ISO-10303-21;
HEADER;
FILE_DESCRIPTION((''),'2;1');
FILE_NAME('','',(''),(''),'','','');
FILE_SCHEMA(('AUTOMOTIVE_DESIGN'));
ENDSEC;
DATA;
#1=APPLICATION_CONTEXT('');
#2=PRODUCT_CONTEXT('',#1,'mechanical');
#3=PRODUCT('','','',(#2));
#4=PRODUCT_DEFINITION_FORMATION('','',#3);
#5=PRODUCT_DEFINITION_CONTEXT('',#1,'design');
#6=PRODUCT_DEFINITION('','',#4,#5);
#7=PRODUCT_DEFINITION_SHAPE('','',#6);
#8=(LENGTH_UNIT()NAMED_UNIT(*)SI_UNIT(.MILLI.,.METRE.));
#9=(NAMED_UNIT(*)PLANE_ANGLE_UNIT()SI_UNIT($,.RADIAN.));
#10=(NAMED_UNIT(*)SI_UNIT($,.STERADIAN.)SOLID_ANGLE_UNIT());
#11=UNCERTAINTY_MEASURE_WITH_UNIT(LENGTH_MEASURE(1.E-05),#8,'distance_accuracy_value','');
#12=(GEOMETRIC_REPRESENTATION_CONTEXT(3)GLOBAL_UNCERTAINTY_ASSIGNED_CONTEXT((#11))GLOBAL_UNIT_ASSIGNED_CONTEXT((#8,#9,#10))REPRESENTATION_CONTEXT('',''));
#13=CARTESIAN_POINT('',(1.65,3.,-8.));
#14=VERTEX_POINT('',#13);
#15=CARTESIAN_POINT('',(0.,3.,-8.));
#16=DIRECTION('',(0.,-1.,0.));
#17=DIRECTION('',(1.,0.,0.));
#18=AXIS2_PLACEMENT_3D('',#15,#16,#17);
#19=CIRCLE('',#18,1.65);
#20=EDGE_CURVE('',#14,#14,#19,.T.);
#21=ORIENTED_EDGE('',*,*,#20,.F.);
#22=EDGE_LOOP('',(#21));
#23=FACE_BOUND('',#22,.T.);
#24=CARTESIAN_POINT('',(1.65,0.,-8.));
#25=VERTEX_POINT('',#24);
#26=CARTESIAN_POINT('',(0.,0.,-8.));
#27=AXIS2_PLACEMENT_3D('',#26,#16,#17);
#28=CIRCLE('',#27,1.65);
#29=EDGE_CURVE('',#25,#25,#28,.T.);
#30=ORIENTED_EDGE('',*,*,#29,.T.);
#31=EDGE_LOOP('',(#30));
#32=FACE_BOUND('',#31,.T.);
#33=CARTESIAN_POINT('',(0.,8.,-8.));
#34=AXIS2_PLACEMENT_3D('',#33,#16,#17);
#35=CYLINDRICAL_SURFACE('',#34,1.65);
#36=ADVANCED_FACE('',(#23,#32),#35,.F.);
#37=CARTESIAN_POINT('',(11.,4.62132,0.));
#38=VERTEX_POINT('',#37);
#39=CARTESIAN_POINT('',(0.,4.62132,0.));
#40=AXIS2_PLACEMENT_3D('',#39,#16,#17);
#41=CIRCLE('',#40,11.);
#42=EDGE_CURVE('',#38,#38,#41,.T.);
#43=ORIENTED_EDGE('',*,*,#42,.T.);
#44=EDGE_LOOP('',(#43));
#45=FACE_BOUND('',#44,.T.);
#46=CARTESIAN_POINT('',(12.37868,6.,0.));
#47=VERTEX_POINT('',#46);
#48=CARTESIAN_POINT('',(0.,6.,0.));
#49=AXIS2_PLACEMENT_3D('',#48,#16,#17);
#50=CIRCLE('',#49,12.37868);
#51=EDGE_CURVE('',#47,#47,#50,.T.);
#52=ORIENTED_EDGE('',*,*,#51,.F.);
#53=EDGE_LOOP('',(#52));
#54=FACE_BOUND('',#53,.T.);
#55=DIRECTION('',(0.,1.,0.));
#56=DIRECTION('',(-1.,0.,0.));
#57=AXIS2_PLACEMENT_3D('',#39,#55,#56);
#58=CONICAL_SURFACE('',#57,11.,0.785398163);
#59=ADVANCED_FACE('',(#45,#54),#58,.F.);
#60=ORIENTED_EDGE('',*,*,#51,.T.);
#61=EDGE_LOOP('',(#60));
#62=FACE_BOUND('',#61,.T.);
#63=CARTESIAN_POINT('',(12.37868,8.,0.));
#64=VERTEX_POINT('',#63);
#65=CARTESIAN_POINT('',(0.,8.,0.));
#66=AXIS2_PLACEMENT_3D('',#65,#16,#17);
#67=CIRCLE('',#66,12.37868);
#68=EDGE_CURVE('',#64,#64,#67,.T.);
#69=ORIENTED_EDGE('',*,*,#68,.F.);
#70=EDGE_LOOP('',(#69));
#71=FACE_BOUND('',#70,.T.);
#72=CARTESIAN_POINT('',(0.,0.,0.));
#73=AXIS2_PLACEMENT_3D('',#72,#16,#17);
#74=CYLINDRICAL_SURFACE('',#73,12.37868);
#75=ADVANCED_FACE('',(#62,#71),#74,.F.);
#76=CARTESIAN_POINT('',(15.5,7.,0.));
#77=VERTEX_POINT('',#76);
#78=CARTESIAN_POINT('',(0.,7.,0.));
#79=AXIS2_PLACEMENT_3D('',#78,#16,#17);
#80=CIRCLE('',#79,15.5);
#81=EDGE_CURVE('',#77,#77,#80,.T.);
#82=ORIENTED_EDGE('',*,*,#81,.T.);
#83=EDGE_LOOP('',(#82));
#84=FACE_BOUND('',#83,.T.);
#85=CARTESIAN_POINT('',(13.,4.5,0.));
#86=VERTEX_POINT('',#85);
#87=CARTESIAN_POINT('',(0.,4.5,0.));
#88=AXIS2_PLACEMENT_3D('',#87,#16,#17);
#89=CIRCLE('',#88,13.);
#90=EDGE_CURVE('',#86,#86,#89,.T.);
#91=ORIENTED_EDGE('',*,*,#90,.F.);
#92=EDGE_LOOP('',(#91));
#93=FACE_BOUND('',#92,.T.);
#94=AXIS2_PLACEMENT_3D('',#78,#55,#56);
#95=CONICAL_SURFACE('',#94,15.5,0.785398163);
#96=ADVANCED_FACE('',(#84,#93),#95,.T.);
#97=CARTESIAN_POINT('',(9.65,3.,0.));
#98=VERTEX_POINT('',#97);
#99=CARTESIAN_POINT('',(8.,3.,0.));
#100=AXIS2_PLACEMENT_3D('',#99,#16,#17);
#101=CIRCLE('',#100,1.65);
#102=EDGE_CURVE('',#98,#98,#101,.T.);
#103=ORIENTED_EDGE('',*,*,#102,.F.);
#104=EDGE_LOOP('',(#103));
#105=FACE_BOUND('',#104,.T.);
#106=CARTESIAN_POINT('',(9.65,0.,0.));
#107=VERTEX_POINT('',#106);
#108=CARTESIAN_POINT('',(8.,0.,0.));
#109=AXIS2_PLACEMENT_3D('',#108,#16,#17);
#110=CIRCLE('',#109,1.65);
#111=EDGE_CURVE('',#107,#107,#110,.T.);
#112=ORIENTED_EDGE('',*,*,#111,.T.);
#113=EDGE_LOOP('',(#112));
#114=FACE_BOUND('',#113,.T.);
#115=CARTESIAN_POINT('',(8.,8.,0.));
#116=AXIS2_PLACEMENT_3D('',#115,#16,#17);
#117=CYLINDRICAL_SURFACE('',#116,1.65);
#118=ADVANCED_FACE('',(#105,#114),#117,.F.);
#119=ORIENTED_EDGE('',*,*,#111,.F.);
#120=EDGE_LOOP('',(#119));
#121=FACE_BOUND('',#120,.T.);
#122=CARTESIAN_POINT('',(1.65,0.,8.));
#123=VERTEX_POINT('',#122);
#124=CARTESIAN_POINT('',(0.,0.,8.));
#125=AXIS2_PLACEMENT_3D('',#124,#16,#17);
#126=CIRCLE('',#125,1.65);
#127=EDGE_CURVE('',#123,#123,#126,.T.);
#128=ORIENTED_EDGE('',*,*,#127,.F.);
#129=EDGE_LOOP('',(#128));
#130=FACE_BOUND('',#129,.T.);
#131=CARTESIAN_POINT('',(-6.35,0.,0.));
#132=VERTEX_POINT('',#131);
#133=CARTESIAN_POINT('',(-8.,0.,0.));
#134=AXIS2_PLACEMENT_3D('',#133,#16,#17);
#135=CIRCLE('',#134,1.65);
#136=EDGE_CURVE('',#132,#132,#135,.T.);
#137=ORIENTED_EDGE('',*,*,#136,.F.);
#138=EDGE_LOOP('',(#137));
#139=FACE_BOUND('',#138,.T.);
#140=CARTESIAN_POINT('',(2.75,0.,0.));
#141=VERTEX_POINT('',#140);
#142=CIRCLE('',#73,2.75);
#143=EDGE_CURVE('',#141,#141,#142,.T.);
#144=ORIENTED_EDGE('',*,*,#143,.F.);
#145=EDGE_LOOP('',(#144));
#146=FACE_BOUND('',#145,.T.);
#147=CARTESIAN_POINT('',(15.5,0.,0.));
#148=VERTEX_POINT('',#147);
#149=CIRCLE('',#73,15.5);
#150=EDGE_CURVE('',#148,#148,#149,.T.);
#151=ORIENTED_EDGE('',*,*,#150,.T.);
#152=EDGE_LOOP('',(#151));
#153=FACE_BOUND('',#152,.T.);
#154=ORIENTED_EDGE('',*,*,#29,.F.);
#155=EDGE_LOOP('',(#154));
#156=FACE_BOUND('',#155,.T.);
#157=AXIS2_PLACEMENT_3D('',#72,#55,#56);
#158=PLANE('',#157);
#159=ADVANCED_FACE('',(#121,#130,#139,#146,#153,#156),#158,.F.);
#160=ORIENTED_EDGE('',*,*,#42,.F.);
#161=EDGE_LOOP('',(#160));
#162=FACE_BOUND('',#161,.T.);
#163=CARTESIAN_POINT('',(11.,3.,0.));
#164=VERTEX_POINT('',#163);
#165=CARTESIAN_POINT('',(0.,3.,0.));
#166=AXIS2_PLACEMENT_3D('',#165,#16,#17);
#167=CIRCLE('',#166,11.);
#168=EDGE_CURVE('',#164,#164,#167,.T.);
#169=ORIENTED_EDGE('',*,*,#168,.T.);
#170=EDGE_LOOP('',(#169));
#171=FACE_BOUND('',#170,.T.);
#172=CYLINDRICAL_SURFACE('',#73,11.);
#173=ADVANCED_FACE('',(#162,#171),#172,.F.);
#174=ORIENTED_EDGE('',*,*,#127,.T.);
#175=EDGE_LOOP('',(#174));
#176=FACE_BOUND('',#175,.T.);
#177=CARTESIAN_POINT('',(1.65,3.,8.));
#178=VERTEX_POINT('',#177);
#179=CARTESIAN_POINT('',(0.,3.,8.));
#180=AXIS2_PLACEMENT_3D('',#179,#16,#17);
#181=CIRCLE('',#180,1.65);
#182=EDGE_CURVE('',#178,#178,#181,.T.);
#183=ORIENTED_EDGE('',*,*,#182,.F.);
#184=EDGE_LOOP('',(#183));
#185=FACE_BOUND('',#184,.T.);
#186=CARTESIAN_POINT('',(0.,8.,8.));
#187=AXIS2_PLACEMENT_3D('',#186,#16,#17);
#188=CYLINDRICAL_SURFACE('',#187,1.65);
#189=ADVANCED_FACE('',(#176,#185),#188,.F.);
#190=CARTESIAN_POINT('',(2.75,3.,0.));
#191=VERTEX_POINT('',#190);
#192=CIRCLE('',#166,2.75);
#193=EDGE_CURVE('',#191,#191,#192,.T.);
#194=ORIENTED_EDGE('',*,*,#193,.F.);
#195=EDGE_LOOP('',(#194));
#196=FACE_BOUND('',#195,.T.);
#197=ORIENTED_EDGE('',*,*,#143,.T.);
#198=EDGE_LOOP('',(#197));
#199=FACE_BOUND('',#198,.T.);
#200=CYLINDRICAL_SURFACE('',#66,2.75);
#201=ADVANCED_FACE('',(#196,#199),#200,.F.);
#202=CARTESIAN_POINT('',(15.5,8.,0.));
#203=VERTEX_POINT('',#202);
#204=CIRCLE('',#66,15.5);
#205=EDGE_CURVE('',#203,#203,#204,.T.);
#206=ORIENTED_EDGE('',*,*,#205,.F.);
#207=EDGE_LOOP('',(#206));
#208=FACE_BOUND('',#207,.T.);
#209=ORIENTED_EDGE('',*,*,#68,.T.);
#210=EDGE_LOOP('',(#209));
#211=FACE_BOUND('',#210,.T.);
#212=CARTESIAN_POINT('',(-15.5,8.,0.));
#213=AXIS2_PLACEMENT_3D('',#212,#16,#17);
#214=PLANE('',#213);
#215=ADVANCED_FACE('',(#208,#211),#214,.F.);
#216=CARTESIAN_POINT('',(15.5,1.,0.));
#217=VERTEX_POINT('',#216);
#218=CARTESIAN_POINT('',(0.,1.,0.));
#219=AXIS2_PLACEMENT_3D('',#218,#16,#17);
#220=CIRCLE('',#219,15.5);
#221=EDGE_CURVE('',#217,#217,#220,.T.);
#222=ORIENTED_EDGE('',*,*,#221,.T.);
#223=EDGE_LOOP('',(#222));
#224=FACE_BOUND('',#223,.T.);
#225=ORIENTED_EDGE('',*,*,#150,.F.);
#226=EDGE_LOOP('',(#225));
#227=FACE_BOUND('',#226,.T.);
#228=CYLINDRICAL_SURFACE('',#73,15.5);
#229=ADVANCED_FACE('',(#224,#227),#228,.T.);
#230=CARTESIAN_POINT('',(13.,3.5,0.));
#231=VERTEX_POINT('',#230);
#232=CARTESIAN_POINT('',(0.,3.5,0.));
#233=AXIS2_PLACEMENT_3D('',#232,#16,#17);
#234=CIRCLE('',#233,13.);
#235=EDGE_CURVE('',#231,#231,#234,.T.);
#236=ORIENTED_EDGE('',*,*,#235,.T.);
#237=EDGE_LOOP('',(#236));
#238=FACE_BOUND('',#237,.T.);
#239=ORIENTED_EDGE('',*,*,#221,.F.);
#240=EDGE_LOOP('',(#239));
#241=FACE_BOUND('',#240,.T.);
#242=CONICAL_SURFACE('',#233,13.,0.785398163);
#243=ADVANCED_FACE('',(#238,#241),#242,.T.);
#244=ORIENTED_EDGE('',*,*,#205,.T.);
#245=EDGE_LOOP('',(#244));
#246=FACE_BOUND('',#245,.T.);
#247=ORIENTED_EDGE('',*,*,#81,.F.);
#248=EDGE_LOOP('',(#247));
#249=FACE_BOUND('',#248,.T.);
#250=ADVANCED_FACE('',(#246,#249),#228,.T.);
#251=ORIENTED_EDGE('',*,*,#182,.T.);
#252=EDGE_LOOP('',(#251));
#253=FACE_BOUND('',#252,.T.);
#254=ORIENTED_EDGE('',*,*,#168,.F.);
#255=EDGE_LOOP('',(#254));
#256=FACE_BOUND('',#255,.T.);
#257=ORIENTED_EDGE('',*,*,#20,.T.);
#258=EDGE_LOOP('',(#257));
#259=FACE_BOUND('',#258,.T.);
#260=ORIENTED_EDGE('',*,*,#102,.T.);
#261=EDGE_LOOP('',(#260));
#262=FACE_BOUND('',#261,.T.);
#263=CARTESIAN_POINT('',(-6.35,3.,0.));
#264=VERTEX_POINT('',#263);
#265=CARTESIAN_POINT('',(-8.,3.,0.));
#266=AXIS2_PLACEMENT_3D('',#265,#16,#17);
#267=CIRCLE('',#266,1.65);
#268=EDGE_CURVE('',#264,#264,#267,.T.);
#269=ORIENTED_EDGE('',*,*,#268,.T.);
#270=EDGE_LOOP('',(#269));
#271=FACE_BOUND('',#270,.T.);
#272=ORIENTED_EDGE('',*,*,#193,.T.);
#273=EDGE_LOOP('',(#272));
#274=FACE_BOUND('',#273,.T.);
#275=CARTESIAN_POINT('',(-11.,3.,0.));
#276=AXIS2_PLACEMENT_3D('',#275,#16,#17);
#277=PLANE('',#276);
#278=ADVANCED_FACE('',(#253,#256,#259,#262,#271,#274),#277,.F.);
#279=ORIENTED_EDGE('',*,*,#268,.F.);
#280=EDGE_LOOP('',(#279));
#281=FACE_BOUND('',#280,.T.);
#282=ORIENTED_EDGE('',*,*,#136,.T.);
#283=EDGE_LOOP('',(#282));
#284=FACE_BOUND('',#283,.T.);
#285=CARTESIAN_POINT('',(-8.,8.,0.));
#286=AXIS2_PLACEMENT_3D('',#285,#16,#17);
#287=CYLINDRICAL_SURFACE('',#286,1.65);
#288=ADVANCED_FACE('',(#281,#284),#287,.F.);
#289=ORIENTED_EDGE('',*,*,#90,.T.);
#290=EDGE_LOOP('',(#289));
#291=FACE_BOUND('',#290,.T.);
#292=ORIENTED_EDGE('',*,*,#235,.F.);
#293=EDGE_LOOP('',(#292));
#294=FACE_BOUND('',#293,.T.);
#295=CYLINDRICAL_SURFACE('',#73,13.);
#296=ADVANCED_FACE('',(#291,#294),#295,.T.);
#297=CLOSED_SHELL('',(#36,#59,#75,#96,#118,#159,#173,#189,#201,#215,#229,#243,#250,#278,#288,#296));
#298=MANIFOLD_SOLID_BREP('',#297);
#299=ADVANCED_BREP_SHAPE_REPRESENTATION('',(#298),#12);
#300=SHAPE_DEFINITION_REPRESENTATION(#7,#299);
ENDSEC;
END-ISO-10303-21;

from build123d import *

# Parameters (mm, degrees)
SKETCH_3_R          = 2.75
SKETCH_3_R_2        = 1.65
CUT_EXTRUDE_1_DEPTH = 24.334523779


with BuildPart() as part:
    # 草图2 → 旋转1 (revolve)
    with BuildSketch(Plane.XY):
        Polygon((0, 0), (-15.5, 0), (-15.5, 1), (-13, 3.5), (-13, 4.5), (-15.5, 7), (-15.5, 8), (-12.378679656, 8), (-12.378679656, 6), (-11, 4.621320344), (-11, 3), (0, 3), (0, 1.5), align=None)
    revolve(axis=Axis((0, 0, 0), (0, 1, 0)))

    # 草图3 → 切除-拉伸1 (cut, through all)
    with BuildSketch(Plane.XZ):
        Circle(SKETCH_3_R)
        with Locations((0, 8)):
            Circle(SKETCH_3_R_2)
        with Locations((8, 0)):
            Circle(SKETCH_3_R_2)
        with Locations((0, -8)):
            Circle(SKETCH_3_R_2)
        with Locations((-8, 0)):
            Circle(SKETCH_3_R_2)
    extrude(amount=-CUT_EXTRUDE_1_DEPTH, mode=Mode.SUBTRACT)


solid = part.part
